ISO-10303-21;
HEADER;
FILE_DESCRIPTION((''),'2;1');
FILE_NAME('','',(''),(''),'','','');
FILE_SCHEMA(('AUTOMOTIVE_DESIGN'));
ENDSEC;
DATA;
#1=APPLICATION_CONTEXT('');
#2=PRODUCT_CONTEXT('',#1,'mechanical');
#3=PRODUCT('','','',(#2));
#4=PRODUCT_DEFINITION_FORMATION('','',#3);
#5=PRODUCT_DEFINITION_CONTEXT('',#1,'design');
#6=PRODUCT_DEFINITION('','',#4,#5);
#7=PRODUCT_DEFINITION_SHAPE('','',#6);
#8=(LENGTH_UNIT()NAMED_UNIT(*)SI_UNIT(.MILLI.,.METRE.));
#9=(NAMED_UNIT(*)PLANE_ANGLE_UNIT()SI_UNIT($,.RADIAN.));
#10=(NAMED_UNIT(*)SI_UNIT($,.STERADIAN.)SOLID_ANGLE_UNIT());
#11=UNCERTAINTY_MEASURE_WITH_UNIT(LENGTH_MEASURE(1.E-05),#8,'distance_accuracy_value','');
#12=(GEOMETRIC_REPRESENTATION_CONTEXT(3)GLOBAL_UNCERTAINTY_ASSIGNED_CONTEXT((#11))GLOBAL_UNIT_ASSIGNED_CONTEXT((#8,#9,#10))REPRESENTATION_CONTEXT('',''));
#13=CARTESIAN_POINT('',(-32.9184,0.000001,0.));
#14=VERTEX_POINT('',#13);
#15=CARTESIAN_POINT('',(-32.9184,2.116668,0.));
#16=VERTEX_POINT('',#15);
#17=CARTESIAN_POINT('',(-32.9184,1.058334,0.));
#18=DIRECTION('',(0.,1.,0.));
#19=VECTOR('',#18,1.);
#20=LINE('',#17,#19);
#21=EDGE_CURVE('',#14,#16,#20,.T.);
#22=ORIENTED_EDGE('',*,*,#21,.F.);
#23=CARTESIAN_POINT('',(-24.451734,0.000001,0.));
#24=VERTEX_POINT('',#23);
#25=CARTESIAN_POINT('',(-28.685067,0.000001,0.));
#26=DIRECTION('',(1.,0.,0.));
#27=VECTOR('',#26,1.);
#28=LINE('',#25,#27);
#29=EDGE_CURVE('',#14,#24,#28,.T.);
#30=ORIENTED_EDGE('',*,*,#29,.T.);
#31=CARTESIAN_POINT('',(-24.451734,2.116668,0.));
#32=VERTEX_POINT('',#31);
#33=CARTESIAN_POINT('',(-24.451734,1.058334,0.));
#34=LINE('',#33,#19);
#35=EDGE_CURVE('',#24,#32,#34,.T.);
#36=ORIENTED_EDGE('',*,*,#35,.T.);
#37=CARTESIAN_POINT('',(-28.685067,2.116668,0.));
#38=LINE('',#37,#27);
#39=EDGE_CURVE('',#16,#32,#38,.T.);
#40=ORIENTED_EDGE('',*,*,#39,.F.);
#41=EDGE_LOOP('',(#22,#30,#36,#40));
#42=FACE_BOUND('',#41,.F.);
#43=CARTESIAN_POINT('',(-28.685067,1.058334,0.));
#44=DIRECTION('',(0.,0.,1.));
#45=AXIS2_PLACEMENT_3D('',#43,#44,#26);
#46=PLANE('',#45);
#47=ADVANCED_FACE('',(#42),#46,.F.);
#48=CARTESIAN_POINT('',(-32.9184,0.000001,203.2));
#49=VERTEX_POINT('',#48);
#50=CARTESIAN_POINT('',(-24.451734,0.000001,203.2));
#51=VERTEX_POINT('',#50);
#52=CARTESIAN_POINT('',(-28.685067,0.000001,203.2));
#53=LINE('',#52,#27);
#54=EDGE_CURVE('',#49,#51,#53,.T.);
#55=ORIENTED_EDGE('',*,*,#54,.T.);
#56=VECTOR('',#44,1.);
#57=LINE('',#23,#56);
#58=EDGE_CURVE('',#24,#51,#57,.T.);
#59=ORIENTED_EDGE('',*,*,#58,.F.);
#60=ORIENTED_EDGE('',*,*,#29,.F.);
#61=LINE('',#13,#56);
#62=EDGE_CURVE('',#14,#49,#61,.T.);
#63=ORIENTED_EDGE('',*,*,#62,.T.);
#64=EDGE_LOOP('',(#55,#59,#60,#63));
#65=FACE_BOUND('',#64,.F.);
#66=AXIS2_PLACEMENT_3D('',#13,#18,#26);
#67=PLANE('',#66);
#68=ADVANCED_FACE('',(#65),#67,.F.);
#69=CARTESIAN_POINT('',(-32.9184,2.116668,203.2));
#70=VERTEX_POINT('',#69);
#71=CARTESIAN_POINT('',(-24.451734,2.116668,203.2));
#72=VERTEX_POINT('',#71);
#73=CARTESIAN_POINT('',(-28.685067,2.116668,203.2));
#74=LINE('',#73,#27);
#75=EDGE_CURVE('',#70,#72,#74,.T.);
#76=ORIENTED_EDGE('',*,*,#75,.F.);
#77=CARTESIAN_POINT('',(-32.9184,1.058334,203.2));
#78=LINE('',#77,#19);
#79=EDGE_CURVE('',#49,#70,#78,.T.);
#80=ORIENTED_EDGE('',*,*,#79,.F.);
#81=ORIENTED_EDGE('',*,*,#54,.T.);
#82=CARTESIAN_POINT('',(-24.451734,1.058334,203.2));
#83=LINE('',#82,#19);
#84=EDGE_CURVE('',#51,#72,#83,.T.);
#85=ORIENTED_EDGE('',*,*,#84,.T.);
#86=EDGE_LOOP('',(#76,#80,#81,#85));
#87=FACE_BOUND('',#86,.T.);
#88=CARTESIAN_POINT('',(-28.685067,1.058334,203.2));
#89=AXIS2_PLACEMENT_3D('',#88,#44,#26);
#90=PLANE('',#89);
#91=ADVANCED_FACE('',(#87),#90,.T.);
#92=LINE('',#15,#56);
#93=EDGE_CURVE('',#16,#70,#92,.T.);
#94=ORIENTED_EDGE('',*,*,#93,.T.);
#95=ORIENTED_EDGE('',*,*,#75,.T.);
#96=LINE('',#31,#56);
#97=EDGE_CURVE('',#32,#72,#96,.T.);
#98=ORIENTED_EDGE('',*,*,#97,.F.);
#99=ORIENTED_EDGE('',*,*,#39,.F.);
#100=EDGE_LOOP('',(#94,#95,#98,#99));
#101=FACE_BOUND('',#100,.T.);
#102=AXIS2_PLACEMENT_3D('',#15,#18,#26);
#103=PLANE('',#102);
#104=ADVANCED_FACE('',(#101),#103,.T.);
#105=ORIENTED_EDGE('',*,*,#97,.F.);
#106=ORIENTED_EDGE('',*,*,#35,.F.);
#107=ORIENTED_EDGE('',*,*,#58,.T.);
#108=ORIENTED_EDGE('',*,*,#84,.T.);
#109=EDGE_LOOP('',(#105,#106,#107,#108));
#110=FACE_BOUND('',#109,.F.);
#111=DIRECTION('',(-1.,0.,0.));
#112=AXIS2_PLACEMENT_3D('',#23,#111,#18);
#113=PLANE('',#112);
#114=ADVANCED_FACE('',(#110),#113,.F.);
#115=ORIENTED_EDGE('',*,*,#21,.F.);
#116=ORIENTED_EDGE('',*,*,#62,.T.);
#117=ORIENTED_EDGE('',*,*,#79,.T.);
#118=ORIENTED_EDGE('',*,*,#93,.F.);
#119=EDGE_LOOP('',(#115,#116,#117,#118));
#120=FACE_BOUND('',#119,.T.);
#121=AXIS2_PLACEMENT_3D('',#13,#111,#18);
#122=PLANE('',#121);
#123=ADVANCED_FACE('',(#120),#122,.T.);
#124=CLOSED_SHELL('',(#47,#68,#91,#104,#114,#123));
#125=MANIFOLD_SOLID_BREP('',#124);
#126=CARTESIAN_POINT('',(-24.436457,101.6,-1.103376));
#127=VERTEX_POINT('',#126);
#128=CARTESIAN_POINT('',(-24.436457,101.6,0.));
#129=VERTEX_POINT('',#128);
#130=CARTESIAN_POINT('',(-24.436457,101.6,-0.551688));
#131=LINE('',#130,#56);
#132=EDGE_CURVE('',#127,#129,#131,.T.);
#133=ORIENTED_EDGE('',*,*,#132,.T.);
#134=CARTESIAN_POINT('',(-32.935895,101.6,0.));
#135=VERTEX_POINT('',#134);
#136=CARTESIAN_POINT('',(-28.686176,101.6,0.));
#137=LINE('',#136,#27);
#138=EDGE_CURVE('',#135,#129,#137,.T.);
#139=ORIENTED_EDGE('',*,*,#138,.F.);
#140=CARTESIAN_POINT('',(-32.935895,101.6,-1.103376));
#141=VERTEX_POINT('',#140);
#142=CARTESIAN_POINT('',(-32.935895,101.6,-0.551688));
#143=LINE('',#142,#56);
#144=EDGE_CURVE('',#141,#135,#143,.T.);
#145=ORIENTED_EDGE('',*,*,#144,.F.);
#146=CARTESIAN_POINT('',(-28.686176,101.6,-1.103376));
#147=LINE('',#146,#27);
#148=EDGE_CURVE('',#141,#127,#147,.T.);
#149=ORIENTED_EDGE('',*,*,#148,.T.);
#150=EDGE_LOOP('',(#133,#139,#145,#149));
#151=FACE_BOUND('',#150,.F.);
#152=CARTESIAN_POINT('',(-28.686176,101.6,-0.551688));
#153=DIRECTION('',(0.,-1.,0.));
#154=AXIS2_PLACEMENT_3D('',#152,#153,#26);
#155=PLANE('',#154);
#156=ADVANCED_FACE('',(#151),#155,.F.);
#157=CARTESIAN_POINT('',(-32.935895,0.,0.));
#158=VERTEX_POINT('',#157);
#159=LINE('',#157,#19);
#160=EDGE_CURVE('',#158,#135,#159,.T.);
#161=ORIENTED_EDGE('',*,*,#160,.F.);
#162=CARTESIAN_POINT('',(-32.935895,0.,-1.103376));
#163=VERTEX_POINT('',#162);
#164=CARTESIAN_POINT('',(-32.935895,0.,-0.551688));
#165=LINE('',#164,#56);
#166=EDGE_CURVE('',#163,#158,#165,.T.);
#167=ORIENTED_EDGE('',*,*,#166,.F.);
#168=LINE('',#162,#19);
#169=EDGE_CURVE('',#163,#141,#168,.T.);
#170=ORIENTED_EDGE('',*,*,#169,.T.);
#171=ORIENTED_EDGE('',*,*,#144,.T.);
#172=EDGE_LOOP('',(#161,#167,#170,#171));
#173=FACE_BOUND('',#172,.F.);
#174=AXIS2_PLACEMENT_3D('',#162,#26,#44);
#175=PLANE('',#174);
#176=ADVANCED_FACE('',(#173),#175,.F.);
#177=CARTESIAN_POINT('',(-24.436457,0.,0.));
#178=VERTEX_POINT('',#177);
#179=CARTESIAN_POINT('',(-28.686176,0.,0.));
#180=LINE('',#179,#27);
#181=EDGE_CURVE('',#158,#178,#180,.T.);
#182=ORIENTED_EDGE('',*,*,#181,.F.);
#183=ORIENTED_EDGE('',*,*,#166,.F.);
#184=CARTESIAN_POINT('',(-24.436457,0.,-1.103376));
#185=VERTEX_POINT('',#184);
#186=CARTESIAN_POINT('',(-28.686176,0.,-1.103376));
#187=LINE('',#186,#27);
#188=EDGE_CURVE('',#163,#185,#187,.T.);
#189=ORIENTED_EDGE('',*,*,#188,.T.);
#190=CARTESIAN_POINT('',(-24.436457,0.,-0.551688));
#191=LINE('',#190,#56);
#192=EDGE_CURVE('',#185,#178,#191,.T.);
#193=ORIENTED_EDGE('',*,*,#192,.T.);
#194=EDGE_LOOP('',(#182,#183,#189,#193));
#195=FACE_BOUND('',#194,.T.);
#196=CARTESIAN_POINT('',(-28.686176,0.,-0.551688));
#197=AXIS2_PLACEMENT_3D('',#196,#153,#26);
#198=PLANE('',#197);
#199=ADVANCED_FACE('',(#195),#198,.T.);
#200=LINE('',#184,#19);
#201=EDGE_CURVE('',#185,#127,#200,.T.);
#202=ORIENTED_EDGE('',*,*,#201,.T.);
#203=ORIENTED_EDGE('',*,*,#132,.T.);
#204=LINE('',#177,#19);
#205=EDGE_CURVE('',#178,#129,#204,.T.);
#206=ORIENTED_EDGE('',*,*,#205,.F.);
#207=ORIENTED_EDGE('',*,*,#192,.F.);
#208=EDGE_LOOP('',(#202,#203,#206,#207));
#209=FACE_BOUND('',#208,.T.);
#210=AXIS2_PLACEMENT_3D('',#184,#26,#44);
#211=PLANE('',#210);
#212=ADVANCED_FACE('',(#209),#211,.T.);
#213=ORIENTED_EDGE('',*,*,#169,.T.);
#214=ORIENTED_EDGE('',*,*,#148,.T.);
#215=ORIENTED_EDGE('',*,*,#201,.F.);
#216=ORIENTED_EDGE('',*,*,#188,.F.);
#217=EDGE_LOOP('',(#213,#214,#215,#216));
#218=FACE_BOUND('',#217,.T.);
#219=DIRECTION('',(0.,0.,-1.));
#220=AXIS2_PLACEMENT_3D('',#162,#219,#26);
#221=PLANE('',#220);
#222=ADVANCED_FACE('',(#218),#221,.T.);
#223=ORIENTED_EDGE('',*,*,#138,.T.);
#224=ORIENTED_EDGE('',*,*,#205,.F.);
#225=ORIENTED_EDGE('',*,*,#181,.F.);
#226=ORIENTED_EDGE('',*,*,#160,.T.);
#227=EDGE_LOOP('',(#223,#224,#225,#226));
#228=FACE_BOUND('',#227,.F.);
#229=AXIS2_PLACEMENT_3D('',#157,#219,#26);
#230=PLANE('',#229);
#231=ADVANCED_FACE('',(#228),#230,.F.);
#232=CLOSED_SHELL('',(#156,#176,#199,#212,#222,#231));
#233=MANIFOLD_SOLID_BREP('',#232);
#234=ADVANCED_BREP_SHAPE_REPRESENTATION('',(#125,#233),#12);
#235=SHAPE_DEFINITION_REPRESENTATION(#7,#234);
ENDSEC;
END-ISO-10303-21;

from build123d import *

# Parameters (mm, degrees)
F0_W     = 8.466666
F0_H     = 2.116667
F1_DEPTH = 203.2
F2_W     = 8.499438
F2_H     = 1.103376
F3_DEPTH = 101.6


with BuildPart() as f1:
    # F0 (on Top) → F1 (new body)
    with BuildSketch(Plane.XY):
        with Locations((-28.685067, 1.058334)):
            Rectangle(F0_W, F0_H)
    extrude(amount=F1_DEPTH)


with BuildPart() as f3:
    # F2 (on Front) → F3 (new body)
    with BuildSketch(Plane.XZ):
        with Locations((-28.686176, -0.551688)):
            Rectangle(F2_W, F2_H)
    extrude(amount=-F3_DEPTH)


solid = Compound([f1.part, f3.part])
